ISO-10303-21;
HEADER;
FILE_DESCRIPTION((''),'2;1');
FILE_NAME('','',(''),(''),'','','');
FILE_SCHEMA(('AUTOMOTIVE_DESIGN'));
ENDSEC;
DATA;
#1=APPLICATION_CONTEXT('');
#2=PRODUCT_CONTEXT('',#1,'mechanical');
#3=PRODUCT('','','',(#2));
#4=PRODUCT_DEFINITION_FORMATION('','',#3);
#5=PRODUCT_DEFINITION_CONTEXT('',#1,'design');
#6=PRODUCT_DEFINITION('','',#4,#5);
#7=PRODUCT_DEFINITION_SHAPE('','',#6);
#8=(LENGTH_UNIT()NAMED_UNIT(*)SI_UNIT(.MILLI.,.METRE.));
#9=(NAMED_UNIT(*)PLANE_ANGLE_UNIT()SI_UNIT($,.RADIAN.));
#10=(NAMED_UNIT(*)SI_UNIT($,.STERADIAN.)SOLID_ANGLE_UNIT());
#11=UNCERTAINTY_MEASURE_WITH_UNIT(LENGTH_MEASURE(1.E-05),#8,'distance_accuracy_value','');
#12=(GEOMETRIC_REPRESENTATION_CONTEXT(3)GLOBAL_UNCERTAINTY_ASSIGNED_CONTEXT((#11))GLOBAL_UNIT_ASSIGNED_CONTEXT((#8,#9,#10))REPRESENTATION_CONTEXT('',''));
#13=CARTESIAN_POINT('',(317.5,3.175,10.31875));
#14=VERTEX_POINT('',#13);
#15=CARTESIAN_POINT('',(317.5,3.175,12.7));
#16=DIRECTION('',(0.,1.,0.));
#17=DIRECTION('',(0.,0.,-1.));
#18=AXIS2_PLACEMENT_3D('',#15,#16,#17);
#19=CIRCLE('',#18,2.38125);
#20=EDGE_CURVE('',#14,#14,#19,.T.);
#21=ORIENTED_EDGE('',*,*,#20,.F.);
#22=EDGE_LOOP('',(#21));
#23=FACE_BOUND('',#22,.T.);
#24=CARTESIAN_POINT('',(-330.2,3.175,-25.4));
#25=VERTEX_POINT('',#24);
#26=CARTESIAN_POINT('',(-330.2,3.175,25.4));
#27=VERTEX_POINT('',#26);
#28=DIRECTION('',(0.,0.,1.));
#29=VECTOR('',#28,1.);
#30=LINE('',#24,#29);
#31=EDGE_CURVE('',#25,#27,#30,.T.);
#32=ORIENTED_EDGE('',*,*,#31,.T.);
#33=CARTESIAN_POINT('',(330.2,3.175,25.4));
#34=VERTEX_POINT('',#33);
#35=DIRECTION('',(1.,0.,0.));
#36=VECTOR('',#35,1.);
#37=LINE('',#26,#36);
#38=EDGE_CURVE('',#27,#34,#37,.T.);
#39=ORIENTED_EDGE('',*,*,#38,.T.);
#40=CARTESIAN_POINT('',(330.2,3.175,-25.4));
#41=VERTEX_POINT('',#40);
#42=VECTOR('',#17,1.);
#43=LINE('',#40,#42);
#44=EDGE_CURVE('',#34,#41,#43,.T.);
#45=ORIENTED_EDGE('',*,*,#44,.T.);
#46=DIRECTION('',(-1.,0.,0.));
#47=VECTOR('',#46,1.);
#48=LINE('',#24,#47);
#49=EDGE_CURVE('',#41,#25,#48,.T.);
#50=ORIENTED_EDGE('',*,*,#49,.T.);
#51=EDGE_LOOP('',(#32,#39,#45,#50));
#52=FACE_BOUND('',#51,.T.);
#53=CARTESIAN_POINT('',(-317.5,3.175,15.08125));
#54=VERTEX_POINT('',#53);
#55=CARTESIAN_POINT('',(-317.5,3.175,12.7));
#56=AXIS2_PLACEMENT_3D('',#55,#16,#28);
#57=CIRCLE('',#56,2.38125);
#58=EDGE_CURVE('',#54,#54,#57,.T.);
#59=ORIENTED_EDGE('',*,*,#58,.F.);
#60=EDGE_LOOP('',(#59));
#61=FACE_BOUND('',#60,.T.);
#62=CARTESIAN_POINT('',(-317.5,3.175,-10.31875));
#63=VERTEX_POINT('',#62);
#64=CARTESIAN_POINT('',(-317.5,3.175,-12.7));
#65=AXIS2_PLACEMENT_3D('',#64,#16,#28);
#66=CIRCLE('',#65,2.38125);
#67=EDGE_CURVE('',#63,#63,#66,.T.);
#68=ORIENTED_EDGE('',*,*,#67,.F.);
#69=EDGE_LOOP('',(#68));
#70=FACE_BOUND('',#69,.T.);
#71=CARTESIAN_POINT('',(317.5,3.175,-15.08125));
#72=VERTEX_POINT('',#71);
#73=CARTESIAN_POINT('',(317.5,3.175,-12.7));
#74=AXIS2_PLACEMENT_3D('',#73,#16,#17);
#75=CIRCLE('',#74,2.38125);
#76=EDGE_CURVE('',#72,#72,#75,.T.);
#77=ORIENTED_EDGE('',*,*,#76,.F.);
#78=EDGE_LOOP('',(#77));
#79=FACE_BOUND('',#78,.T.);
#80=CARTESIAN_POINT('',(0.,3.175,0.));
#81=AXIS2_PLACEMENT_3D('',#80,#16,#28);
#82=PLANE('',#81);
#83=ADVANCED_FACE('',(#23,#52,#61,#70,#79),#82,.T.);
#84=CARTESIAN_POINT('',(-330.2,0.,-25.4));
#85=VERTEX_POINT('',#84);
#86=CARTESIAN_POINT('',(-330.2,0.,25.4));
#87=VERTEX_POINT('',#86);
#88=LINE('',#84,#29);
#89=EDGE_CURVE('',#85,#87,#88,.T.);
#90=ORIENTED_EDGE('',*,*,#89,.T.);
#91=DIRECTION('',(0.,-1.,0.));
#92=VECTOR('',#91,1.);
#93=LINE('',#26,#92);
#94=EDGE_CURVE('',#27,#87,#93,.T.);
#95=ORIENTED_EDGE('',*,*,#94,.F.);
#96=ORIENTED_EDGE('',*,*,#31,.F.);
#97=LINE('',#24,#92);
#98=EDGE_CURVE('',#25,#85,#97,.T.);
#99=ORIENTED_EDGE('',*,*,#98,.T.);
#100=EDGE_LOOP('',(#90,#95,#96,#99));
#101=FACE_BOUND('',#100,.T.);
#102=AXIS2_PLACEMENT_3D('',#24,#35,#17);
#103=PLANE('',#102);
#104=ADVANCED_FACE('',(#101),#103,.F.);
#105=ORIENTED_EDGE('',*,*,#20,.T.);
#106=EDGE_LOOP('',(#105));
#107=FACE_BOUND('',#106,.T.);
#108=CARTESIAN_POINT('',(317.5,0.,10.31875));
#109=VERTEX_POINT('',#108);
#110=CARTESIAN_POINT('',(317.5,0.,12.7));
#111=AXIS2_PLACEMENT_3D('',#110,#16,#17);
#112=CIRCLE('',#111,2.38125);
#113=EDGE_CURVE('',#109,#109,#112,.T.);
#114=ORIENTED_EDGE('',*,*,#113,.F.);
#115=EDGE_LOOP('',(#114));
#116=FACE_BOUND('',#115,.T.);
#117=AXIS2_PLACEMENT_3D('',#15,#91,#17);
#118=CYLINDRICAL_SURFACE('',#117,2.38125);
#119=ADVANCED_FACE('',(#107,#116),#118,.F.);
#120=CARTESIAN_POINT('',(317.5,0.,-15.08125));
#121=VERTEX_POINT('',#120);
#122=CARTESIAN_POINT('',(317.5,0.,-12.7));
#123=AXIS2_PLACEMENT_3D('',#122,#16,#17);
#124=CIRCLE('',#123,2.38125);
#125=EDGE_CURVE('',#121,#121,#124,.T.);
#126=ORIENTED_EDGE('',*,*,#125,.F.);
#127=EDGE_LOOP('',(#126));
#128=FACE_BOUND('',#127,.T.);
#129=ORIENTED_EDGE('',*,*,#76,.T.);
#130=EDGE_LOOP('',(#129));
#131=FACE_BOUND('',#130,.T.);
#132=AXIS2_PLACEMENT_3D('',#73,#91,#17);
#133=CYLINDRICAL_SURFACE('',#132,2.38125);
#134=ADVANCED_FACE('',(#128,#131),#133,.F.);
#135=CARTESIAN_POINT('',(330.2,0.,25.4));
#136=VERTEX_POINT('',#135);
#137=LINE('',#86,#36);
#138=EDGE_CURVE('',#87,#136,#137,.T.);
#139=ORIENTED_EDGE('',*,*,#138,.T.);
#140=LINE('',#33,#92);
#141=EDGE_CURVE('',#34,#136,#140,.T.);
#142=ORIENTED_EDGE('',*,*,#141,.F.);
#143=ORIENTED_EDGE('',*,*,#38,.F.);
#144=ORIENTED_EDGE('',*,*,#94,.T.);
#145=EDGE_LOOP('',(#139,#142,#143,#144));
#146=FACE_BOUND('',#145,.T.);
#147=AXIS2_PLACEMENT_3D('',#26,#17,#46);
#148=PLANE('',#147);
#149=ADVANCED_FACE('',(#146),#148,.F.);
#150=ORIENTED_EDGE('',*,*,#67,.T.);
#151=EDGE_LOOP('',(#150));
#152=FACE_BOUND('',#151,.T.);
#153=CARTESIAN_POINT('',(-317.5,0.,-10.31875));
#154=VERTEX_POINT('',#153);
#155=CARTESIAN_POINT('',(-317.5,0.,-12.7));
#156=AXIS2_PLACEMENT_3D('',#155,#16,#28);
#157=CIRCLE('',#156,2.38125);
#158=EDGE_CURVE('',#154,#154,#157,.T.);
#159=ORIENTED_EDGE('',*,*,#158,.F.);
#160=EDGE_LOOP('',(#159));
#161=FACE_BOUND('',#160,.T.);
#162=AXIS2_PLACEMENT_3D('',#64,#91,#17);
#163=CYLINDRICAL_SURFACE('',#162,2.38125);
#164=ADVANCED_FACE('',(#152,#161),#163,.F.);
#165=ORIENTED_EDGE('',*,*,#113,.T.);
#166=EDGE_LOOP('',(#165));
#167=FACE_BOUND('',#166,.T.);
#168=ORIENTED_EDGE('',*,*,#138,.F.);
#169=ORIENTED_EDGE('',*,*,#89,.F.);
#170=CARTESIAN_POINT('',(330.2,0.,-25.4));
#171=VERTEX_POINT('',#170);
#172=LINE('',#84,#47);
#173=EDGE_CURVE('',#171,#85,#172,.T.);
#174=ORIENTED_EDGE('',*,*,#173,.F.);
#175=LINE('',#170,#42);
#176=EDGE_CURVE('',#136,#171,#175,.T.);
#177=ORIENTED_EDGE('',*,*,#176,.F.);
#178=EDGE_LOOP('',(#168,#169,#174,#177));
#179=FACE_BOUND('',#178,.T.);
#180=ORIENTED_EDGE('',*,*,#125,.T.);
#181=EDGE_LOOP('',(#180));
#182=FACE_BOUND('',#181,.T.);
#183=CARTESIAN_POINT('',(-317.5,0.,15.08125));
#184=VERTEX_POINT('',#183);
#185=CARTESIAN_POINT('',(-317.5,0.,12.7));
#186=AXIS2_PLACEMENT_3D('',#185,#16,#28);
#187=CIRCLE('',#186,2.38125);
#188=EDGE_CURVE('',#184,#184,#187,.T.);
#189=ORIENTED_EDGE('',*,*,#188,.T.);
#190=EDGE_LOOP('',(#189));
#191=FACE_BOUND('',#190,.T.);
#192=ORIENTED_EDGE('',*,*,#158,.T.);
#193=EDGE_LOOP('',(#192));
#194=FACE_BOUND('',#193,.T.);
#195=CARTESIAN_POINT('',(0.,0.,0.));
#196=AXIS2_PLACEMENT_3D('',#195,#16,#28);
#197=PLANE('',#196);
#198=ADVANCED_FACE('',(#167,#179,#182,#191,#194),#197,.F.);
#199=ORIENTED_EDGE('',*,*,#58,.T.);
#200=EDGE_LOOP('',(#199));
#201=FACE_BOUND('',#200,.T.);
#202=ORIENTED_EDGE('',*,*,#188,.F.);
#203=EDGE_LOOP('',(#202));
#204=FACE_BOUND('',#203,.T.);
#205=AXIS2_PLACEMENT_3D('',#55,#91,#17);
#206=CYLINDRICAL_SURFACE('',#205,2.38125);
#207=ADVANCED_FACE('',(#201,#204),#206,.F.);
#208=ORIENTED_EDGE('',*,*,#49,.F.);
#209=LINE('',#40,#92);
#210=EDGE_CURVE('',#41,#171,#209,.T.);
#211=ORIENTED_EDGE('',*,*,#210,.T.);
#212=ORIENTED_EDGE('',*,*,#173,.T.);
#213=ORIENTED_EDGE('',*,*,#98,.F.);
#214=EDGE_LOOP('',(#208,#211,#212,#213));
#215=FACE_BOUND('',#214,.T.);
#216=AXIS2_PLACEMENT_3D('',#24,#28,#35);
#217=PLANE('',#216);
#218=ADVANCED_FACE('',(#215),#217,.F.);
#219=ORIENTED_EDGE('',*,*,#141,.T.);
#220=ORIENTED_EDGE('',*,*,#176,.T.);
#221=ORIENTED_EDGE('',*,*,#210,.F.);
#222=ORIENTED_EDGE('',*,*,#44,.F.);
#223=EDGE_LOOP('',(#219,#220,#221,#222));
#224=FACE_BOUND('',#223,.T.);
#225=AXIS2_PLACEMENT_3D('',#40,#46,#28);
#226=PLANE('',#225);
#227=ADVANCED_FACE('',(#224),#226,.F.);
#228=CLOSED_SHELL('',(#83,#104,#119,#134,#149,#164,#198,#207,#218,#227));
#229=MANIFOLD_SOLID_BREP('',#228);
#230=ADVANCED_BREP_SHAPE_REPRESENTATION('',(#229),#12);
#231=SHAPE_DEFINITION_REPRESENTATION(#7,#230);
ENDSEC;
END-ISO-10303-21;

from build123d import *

# Parameters (mm, degrees)
SKETCH1_W           = 660.4
SKETCH1_H           = 50.8
SKETCH1_R           = 2.38125
BOSS_EXTRUDE1_DEPTH = 3.175


with BuildPart() as part:
    # Sketch1 → Boss-Extrude1 (new body)
    with BuildSketch(Plane(origin=(0, 0, 0), x_dir=(1, 0, 0), z_dir=(0, 1, 0))):
        Rectangle(SKETCH1_W, SKETCH1_H)
        with Locations(Location((-317.5, 12.7, 0), (0, 0, 270))):
            Circle(SKETCH1_R, mode=Mode.SUBTRACT)
        with Locations(Location((-317.5, -12.7, 0), (0, 0, 270))):
            Circle(SKETCH1_R, mode=Mode.SUBTRACT)
        with Locations(Location((317.5, -12.7, 0), (0, 0, 90))):
            Circle(SKETCH1_R, mode=Mode.SUBTRACT)
        with Locations(Location((317.5, 12.7, 0), (0, 0, 90))):
            Circle(SKETCH1_R, mode=Mode.SUBTRACT)
    extrude(amount=BOSS_EXTRUDE1_DEPTH)


solid = part.part
